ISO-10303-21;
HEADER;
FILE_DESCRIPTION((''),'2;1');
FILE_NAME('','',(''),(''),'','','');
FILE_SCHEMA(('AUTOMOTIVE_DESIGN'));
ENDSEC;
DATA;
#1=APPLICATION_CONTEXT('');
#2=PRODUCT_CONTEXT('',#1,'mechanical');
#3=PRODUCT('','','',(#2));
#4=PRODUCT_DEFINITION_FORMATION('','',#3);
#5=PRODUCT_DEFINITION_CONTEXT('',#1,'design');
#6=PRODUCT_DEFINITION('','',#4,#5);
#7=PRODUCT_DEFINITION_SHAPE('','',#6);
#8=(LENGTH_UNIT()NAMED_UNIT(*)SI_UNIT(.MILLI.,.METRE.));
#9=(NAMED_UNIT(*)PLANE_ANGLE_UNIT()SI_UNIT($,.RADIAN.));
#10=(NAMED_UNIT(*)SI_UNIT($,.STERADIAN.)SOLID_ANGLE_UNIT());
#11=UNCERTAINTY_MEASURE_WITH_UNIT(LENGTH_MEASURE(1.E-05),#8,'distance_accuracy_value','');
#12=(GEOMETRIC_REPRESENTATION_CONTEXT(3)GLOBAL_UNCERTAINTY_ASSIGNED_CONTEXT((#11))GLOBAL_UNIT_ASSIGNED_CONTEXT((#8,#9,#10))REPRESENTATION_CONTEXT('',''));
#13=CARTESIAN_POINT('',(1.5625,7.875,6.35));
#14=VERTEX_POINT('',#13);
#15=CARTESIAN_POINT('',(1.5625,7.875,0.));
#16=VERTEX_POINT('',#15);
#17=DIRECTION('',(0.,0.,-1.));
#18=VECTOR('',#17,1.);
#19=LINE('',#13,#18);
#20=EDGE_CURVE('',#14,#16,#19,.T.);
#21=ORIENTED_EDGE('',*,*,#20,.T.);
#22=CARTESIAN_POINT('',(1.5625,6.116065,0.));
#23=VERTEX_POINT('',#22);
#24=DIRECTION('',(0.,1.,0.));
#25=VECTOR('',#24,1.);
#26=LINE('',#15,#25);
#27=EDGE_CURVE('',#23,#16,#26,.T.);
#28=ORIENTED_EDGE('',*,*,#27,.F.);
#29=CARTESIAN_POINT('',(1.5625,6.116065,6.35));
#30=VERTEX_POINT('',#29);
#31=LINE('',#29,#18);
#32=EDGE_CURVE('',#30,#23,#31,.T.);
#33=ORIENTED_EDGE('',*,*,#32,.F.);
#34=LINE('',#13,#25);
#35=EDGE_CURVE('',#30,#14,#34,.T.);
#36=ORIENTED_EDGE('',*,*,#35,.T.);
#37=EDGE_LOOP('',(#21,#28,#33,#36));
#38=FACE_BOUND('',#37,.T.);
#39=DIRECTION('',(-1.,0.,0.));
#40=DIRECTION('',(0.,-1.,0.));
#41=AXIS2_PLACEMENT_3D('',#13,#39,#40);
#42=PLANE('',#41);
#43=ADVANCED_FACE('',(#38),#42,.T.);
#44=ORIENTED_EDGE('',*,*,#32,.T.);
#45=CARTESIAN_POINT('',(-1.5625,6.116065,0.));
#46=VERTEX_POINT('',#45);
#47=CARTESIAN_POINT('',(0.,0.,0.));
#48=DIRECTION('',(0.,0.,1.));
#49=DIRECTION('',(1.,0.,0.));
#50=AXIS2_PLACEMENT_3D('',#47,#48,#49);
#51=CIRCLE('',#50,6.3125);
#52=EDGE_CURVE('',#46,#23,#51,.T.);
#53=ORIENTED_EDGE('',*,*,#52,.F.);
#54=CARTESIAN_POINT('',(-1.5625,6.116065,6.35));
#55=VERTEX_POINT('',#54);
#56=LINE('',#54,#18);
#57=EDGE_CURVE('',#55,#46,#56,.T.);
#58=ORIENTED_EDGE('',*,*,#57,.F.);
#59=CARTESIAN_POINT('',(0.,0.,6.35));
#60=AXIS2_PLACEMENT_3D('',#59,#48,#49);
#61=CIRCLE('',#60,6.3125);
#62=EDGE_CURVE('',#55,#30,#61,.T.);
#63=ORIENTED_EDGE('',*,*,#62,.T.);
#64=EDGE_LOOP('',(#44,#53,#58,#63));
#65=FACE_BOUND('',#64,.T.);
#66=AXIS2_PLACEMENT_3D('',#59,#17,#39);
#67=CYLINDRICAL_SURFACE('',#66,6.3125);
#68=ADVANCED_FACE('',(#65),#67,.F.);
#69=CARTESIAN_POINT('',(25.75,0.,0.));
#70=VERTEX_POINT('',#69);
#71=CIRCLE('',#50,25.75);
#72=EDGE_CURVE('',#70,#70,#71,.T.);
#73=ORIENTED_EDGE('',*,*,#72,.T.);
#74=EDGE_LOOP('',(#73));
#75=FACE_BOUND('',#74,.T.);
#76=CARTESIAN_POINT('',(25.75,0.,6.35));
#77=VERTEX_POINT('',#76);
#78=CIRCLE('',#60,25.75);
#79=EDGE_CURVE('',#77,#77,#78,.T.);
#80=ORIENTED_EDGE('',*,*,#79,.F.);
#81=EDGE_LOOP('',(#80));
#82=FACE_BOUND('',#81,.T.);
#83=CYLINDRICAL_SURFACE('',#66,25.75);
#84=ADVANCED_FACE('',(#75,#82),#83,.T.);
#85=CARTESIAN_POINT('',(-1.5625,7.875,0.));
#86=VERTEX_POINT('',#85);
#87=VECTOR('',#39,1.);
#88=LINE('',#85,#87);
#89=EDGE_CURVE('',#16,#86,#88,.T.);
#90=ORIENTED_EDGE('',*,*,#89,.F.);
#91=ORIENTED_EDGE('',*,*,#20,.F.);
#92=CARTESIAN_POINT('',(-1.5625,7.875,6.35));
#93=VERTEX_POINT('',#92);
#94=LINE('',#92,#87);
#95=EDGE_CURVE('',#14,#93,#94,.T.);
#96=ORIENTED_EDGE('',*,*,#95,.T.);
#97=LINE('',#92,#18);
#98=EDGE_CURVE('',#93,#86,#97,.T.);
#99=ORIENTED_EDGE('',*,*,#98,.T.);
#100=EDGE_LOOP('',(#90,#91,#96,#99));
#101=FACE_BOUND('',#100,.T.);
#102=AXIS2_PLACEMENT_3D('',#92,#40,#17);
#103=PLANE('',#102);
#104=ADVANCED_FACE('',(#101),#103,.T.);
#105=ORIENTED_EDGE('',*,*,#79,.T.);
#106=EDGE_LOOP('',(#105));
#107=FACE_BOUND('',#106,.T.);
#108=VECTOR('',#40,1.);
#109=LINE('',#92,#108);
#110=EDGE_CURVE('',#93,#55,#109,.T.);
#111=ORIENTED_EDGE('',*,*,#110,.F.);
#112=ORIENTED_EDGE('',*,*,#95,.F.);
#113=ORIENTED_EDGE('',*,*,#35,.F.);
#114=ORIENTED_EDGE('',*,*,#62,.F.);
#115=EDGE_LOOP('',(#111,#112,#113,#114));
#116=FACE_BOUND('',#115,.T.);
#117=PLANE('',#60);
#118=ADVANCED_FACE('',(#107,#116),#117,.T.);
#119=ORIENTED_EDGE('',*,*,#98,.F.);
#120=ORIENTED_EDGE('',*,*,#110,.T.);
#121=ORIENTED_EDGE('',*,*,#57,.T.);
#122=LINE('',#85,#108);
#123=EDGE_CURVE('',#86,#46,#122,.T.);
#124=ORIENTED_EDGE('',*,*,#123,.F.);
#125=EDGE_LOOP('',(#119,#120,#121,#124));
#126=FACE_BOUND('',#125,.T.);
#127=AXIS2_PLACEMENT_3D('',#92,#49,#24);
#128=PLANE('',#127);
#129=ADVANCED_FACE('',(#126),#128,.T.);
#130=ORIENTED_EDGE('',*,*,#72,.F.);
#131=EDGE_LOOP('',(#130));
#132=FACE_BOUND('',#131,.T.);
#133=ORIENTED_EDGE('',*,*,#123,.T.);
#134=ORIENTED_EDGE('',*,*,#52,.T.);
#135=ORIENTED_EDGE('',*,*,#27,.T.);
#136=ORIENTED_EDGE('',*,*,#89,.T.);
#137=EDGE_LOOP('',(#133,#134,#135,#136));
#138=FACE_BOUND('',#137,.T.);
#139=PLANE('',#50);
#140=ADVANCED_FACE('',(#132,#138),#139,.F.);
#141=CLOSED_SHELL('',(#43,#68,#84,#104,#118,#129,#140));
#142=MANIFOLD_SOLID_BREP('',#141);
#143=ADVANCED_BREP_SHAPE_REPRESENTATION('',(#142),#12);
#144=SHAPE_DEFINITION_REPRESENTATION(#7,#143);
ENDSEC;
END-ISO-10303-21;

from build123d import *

# Parameters (mm, degrees)
SKETCH1_R           = 25.75
BOSS_EXTRUDE1_DEPTH = 6.35


with BuildPart() as part:
    # Sketch1 → Boss-Extrude1 (new body)
    with BuildSketch(Plane.XY):
        Circle(SKETCH1_R)
        with BuildLine():
            Line((-1.5625, 7.875), (1.5625, 7.875))
            Line((1.5625, 7.875), (1.5625, 6.116064911))
            ThreePointArc((1.5625, 6.116064911), (0, -6.3125), (-1.5625, 6.116064911))
            Line((-1.5625, 6.116064911), (-1.5625, 7.875))
        make_face(mode=Mode.SUBTRACT)
    extrude(amount=BOSS_EXTRUDE1_DEPTH)


solid = part.part
